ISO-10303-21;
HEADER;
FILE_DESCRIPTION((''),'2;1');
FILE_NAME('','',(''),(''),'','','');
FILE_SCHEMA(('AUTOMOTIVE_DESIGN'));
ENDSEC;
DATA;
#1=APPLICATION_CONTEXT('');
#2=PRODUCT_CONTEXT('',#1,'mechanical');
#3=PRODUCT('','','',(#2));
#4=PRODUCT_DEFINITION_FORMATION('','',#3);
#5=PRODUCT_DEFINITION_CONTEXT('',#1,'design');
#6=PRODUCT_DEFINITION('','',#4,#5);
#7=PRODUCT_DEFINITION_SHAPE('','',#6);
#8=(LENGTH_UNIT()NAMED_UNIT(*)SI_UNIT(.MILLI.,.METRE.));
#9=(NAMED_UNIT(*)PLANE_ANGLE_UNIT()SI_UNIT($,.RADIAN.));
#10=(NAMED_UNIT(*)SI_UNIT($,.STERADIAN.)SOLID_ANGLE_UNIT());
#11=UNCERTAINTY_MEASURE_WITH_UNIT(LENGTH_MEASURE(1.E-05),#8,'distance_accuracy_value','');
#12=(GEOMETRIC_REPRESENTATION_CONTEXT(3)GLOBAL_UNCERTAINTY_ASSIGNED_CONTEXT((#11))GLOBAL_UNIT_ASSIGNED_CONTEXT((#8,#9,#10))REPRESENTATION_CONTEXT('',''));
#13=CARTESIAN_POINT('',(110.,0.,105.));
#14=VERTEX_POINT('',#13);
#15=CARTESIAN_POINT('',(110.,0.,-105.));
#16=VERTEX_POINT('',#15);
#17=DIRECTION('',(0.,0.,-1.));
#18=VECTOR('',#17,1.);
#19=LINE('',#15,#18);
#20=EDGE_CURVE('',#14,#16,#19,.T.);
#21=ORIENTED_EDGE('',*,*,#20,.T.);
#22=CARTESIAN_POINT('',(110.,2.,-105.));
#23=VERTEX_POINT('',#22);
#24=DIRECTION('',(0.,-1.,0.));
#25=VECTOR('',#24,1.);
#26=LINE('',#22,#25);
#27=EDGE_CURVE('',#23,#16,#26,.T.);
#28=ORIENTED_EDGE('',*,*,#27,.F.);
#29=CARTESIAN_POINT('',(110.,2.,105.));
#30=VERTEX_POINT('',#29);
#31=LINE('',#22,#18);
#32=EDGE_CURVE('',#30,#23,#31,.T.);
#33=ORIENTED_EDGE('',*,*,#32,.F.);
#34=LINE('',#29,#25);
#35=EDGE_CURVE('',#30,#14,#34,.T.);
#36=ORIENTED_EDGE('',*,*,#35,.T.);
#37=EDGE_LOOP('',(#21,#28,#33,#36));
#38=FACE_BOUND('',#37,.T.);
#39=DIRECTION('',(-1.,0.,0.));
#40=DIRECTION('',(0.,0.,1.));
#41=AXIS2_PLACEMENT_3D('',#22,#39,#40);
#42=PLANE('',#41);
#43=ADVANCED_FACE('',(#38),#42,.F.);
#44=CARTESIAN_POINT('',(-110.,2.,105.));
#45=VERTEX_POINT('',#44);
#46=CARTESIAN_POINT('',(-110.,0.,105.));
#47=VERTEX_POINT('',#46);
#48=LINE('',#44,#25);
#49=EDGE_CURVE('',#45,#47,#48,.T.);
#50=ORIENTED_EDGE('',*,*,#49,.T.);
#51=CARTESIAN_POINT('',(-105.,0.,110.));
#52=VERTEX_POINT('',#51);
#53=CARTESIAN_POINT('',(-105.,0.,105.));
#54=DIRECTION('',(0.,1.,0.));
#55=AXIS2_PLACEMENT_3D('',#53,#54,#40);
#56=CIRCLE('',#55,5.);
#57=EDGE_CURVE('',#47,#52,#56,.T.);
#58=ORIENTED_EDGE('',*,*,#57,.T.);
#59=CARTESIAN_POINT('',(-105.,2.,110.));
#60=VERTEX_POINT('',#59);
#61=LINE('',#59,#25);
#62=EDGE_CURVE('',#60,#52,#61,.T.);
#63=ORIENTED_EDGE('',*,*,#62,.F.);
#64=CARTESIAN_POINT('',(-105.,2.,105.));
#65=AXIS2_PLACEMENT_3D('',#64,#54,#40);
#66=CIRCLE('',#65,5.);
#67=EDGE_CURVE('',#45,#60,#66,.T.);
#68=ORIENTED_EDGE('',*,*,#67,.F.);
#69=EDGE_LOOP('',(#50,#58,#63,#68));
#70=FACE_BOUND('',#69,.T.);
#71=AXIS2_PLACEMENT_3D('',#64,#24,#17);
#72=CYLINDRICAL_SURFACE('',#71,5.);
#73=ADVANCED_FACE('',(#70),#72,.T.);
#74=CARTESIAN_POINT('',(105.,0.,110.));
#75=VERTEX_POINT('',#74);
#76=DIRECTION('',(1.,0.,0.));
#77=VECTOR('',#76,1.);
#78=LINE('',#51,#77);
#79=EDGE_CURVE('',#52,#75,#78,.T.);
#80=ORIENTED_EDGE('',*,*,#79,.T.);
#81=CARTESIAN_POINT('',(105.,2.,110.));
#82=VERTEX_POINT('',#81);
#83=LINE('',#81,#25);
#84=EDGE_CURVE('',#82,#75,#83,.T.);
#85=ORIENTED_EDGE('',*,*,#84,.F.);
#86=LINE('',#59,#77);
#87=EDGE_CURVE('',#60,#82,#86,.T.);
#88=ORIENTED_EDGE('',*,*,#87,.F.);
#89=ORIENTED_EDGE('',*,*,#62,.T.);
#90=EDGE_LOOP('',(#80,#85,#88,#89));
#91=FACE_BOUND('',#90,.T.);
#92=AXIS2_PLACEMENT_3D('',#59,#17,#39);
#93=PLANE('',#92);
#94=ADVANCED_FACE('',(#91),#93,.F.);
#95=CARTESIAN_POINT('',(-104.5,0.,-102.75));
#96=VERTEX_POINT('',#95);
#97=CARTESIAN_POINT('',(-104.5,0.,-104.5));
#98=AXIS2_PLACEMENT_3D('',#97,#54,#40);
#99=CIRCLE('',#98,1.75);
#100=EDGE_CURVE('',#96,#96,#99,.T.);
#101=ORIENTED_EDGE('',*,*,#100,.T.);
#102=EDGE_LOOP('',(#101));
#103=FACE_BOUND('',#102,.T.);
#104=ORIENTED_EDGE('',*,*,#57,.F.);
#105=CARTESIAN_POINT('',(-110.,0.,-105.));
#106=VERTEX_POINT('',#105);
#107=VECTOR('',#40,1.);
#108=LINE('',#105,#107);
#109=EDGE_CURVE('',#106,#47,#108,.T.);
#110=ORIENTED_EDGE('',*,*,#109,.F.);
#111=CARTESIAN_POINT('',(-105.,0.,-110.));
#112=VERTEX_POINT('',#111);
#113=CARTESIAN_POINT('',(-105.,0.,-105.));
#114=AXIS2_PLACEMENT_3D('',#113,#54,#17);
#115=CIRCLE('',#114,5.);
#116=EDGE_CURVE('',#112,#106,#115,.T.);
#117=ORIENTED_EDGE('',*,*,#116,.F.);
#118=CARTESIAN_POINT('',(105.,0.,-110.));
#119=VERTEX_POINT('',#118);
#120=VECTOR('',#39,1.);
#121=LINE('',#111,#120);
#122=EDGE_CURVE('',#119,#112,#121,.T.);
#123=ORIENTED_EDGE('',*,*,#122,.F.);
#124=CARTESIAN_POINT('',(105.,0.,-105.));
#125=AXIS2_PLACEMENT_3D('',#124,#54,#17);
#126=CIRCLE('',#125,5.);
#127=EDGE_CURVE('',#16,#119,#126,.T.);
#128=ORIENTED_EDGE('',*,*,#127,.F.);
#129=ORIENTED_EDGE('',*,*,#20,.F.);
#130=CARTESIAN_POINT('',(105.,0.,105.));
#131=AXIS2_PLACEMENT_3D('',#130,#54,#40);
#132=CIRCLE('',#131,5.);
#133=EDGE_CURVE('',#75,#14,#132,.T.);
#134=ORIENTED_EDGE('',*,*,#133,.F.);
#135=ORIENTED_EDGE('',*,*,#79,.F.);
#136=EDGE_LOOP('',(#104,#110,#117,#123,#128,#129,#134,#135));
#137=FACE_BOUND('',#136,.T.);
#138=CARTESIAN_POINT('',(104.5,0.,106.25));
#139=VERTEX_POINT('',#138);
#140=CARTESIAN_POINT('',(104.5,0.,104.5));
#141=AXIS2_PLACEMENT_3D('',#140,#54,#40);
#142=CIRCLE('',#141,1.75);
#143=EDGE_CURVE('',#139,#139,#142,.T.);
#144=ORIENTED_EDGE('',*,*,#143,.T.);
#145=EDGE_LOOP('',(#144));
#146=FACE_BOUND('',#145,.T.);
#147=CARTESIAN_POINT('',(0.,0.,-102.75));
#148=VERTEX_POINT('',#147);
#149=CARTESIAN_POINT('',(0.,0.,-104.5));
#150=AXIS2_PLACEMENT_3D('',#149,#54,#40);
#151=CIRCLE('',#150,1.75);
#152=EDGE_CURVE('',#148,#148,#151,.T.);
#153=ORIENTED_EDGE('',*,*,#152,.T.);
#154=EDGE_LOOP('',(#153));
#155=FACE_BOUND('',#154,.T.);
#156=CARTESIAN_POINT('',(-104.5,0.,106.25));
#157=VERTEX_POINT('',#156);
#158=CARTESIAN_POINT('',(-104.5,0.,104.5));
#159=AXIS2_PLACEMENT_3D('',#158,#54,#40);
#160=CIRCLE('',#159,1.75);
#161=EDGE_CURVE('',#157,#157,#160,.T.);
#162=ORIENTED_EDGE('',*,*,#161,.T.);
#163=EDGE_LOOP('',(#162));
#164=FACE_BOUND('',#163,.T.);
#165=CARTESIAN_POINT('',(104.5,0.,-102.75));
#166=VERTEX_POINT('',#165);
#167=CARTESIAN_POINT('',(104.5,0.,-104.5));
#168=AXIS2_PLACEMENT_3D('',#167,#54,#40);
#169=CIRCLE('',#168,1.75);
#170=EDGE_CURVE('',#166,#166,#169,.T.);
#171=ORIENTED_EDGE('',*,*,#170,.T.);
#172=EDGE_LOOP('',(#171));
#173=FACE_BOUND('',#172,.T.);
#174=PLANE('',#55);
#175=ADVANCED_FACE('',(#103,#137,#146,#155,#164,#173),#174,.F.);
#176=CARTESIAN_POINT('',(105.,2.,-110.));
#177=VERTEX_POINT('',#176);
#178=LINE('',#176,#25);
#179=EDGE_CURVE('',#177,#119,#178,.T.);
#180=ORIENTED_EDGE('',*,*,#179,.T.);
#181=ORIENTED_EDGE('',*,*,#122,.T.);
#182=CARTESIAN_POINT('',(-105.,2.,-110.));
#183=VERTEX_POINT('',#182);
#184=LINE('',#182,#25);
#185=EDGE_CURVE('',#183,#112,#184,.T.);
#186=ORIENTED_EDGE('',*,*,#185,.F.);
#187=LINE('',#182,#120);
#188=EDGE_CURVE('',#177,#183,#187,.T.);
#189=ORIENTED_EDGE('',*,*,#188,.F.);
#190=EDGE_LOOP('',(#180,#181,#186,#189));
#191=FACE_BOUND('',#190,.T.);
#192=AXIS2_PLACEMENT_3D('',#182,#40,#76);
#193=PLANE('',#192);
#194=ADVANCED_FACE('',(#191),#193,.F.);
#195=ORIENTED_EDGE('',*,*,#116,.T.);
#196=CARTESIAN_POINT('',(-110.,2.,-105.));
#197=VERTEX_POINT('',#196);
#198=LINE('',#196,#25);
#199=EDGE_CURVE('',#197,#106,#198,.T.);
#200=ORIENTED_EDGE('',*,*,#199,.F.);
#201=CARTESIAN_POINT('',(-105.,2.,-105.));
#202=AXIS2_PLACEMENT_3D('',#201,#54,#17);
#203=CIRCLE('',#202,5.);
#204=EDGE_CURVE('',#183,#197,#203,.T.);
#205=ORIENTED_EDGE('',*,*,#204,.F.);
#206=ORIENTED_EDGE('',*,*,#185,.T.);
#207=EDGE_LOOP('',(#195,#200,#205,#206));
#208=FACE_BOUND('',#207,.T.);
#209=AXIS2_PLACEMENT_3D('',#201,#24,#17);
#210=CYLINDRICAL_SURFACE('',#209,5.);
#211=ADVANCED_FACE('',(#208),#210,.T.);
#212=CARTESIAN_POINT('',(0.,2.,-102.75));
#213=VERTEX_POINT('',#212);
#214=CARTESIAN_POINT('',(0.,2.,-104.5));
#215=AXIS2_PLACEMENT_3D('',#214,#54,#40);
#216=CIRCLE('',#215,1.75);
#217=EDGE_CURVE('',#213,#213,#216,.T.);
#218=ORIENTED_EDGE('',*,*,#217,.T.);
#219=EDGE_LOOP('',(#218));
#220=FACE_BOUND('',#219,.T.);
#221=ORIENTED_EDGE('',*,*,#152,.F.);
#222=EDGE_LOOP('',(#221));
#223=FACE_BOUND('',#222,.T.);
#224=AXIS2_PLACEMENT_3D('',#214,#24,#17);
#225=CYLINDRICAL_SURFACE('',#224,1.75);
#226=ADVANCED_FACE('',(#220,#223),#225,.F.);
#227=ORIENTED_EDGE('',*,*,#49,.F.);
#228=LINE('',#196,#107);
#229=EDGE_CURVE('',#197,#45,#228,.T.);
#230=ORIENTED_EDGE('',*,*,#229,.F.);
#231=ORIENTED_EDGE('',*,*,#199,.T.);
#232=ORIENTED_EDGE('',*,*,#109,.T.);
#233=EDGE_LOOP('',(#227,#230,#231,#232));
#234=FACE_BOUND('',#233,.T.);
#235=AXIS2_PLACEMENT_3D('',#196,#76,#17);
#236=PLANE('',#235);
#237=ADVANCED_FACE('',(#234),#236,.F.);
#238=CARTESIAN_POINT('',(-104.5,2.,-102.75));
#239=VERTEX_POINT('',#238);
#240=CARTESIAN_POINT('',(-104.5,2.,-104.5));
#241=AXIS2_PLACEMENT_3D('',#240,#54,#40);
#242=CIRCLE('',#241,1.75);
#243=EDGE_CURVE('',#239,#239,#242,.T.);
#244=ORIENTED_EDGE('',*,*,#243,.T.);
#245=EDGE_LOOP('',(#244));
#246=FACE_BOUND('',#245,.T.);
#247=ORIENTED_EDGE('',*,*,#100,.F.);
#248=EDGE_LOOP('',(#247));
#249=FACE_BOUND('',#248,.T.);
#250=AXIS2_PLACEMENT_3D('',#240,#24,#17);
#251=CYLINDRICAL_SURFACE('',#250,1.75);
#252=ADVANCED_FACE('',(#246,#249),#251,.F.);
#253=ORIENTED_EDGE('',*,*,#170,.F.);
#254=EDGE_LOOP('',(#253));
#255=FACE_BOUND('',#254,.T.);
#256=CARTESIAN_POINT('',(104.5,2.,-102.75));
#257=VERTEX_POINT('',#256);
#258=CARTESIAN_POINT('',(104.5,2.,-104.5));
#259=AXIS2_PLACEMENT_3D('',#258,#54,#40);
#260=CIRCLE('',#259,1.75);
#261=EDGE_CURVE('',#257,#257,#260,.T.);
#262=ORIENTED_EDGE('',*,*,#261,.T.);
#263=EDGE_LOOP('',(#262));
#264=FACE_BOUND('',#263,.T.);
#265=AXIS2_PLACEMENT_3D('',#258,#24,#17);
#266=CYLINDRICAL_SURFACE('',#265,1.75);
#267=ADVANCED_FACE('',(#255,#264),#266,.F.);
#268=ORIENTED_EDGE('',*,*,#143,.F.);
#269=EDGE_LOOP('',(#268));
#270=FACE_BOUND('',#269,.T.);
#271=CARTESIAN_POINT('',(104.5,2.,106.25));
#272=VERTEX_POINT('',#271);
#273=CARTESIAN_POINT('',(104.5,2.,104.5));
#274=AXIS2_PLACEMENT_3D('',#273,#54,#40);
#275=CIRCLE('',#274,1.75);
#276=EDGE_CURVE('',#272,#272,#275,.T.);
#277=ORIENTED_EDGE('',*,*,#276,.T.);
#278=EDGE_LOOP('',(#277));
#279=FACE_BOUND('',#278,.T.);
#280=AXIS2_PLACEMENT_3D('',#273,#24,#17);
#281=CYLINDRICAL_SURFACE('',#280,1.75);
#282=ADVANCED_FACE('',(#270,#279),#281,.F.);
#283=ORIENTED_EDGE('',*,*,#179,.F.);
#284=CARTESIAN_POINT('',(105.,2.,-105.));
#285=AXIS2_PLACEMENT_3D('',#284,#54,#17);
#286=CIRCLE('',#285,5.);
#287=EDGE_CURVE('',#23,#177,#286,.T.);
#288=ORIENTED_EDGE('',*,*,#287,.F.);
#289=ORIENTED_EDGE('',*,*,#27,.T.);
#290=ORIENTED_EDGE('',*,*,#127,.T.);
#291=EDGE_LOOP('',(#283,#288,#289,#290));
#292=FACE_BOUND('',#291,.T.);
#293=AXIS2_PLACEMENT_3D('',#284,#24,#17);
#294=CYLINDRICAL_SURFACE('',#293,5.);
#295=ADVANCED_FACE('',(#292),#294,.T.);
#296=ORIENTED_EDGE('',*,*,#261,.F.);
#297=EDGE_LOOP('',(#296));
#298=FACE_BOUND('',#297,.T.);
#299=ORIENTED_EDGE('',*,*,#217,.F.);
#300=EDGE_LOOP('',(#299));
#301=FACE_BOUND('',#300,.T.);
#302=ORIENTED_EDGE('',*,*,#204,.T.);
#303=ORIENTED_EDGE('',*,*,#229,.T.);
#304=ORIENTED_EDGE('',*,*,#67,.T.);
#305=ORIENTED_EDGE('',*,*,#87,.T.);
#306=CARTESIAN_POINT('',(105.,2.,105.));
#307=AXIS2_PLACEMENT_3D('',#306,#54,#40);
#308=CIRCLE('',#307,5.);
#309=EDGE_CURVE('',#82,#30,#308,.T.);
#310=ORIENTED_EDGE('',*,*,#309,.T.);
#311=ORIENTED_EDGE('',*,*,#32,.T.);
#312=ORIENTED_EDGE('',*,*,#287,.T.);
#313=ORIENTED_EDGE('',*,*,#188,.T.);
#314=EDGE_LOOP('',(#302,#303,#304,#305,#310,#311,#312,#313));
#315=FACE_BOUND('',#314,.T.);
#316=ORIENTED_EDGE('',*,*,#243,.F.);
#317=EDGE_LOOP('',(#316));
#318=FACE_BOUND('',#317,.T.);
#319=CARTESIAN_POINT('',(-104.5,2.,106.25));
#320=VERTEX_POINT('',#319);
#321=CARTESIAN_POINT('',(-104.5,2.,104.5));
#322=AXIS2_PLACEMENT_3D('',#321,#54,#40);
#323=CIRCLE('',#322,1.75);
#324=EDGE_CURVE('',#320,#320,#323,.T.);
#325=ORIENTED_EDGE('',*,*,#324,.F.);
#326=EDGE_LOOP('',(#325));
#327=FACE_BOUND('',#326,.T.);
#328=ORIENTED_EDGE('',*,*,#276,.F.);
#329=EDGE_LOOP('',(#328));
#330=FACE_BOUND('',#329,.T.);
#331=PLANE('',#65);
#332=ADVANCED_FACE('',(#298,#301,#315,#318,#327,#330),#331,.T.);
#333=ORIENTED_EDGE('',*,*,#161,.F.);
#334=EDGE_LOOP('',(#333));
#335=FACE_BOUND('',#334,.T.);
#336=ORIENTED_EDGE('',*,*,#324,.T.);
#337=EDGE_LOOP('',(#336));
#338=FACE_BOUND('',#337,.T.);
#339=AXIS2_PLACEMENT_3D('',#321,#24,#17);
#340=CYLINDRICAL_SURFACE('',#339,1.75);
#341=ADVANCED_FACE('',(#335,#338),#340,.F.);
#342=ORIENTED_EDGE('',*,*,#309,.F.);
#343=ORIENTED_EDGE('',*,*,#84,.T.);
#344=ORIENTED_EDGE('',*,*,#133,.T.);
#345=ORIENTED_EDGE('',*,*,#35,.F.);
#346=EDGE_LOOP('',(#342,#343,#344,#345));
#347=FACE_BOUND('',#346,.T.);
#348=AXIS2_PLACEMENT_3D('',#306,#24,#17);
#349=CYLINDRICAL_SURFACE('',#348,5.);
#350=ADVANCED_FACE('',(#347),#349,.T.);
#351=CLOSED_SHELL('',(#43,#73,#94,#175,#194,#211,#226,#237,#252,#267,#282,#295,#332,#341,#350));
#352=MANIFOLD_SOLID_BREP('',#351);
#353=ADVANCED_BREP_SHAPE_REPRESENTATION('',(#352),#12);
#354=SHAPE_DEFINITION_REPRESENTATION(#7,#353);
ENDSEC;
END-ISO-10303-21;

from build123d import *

# Parameters (mm, degrees)
SKETCH_1_R      = 1.75
EXTRUDE_1_DEPTH = 2


with BuildPart() as part:
    # Эскиз1 → Бобышка-Вытянуть1 (new body)
    with BuildSketch(Plane(origin=(0, 0, 0), x_dir=(1, 0, 0), z_dir=(0, 1, 0))):
        with BuildLine():
            Line((-105, 110), (105, 110))
            ThreePointArc((105, 110), (108.535533906, 108.535533906), (110, 105))
            Line((110, 105), (110, -105))
            ThreePointArc((110, -105), (108.535533906, -108.535533906), (105, -110))
            Line((105, -110), (-105, -110))
            ThreePointArc((-105, -110), (-108.535533906, -108.535533906), (-110, -105))
            Line((-110, -105), (-110, 105))
            ThreePointArc((-110, 105), (-108.535533906, 108.535533906), (-105, 110))
        make_face()
        with Locations(Location((104.5, 104.5, 0), (0, 0, 270))):
            Circle(SKETCH_1_R, mode=Mode.SUBTRACT)
        with Locations(Location((104.5, -104.5, 0), (0, 0, 270))):
            Circle(SKETCH_1_R, mode=Mode.SUBTRACT)
        with Locations(Location((0, 104.5, 0), (0, 0, 270))):
            Circle(SKETCH_1_R, mode=Mode.SUBTRACT)
        with Locations(Location((-104.5, 104.5, 0), (0, 0, 270))):
            Circle(SKETCH_1_R, mode=Mode.SUBTRACT)
        with Locations(Location((-104.5, -104.5, 0), (0, 0, 270))):
            Circle(SKETCH_1_R, mode=Mode.SUBTRACT)
    extrude(amount=EXTRUDE_1_DEPTH)


solid = part.part
